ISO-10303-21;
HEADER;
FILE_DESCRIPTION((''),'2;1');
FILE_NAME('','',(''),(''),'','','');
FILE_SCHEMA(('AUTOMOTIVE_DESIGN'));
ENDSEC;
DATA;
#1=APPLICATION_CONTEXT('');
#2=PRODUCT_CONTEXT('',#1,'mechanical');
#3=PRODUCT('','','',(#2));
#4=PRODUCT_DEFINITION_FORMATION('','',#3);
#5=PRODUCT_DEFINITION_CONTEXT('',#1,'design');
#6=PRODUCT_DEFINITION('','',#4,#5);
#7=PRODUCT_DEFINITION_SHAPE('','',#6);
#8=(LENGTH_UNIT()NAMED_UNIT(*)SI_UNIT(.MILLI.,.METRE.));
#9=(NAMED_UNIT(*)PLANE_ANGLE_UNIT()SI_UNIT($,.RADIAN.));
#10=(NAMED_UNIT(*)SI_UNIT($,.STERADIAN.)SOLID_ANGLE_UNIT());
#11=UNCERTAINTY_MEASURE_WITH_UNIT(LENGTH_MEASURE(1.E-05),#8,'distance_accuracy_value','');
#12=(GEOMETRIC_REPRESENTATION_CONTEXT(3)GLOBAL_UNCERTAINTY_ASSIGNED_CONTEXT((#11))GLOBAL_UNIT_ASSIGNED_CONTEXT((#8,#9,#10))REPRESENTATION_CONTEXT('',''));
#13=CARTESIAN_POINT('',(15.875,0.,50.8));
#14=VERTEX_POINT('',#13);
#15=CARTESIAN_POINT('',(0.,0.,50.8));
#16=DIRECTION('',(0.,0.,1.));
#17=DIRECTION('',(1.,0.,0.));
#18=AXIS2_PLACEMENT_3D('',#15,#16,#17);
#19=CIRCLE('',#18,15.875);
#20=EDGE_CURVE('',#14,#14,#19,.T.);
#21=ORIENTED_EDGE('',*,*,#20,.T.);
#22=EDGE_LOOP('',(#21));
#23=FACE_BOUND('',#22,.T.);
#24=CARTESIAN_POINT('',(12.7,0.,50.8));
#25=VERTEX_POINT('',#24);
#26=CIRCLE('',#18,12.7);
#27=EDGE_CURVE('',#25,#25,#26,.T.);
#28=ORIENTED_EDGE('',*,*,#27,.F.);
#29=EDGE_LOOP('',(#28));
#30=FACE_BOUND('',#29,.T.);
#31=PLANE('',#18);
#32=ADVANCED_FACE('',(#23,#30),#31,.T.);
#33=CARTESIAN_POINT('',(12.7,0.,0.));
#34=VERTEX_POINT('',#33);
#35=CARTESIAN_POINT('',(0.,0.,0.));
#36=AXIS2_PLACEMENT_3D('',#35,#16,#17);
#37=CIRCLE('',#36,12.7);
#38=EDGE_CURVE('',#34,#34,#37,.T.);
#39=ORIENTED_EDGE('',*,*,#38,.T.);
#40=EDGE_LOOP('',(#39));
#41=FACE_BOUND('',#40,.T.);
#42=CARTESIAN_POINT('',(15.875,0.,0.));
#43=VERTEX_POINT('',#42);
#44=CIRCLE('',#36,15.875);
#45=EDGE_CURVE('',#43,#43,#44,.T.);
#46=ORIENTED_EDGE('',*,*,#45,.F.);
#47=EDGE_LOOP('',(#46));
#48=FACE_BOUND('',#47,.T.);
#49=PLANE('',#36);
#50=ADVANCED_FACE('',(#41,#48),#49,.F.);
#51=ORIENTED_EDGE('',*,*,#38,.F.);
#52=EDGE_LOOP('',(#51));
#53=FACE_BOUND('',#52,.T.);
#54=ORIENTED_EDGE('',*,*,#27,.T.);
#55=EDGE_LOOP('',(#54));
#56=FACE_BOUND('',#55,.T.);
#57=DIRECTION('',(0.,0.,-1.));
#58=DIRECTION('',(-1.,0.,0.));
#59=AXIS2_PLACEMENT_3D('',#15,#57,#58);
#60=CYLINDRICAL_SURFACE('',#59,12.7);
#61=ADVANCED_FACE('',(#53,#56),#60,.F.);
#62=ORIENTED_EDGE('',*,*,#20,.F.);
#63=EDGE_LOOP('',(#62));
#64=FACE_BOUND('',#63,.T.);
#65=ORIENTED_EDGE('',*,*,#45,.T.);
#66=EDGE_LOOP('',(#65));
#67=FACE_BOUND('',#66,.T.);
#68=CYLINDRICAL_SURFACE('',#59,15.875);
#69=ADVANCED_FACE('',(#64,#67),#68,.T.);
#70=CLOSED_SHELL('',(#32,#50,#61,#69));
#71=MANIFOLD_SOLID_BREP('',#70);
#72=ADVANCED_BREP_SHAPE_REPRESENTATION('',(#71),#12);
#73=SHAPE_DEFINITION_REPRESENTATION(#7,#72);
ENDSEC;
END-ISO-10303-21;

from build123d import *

# Parameters (mm, degrees)
SKETCH1_R           = 15.875
SKETCH1_R_2         = 12.7
BOSS_EXTRUDE1_DEPTH = 50.8


with BuildPart() as part:
    # Sketch1 → Boss-Extrude1 (new body)
    with BuildSketch(Plane.XY):
        Circle(SKETCH1_R)
        Circle(SKETCH1_R_2, mode=Mode.SUBTRACT)
    extrude(amount=BOSS_EXTRUDE1_DEPTH)


solid = part.part
